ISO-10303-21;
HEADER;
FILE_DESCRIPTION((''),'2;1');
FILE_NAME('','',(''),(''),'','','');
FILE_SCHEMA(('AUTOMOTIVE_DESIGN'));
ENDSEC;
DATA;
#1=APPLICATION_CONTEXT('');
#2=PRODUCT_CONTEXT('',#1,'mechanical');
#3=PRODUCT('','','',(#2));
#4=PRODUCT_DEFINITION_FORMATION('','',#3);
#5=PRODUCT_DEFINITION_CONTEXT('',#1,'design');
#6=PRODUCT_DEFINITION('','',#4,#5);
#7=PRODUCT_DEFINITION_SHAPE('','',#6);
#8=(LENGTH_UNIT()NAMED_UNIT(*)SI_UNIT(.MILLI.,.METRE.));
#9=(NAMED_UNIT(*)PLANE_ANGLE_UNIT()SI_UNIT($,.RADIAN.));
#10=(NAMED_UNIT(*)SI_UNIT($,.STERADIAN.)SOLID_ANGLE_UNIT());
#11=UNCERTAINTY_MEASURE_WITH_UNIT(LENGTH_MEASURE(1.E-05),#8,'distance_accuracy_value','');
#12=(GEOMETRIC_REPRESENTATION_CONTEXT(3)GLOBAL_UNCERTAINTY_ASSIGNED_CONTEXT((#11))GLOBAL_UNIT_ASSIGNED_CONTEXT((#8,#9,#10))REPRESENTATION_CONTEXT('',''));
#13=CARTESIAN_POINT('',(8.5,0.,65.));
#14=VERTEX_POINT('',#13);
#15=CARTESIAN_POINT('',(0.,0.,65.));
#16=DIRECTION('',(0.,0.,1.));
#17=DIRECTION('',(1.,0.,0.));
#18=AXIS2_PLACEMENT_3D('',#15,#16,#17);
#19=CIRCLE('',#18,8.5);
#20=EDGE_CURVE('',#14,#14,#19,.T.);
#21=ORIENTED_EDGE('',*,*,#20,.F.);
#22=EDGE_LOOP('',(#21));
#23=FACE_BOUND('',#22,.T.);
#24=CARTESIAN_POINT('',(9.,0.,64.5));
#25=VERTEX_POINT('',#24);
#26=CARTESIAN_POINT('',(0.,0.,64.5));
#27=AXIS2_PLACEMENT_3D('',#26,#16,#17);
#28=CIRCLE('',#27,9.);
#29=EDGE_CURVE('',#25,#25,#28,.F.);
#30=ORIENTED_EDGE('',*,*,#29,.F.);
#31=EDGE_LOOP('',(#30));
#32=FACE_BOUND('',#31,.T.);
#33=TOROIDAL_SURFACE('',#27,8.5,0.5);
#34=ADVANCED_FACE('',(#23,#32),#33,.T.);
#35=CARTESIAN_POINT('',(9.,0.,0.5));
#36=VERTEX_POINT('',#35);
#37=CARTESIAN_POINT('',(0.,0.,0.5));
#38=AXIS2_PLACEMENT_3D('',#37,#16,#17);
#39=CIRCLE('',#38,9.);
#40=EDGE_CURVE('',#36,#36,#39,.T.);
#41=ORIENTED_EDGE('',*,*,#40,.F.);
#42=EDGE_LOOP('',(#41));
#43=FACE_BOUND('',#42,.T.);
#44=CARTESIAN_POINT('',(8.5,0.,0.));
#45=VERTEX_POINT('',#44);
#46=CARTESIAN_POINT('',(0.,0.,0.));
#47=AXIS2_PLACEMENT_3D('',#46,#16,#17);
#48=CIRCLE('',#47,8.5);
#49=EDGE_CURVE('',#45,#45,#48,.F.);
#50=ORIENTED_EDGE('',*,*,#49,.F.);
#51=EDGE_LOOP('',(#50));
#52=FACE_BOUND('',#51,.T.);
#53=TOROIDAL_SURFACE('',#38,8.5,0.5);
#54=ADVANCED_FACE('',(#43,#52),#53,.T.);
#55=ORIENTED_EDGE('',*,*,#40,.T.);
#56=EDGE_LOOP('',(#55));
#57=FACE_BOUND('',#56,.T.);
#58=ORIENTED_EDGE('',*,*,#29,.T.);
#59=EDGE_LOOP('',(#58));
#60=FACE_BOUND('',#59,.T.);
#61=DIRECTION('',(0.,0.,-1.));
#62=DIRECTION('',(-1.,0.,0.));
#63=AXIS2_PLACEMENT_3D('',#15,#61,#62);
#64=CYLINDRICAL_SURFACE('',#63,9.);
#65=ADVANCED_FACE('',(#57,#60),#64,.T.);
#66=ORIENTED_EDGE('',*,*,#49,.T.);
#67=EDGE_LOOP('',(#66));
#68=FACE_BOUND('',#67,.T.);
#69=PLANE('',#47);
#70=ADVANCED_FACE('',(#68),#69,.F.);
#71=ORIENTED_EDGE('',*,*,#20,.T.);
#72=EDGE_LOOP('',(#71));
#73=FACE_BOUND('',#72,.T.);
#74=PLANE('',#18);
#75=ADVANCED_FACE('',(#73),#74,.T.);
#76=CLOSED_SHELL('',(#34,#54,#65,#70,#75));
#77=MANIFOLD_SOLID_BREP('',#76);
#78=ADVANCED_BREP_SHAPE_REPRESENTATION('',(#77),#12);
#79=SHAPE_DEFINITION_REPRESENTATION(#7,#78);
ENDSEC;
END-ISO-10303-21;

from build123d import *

# Parameters (mm, degrees)
SKETCH_1_R      = 9
EXTRUDE_1_DEPTH = 65
FILLET_1_R      = 0.5


with BuildPart() as part:
    # Эскиз1 → Бобышка-Вытянуть1 (new body)
    with BuildSketch(Plane.XY):
        Circle(SKETCH_1_R)
    extrude(amount=EXTRUDE_1_DEPTH)

    # Скругление1
    fillet_1_edges = [part.edges().sort_by_distance(p)[0] for p in [
        (-9, 0, 0),
        (-9, 0, 65),
    ]]
    fillet(fillet_1_edges, radius=FILLET_1_R)


solid = part.part
